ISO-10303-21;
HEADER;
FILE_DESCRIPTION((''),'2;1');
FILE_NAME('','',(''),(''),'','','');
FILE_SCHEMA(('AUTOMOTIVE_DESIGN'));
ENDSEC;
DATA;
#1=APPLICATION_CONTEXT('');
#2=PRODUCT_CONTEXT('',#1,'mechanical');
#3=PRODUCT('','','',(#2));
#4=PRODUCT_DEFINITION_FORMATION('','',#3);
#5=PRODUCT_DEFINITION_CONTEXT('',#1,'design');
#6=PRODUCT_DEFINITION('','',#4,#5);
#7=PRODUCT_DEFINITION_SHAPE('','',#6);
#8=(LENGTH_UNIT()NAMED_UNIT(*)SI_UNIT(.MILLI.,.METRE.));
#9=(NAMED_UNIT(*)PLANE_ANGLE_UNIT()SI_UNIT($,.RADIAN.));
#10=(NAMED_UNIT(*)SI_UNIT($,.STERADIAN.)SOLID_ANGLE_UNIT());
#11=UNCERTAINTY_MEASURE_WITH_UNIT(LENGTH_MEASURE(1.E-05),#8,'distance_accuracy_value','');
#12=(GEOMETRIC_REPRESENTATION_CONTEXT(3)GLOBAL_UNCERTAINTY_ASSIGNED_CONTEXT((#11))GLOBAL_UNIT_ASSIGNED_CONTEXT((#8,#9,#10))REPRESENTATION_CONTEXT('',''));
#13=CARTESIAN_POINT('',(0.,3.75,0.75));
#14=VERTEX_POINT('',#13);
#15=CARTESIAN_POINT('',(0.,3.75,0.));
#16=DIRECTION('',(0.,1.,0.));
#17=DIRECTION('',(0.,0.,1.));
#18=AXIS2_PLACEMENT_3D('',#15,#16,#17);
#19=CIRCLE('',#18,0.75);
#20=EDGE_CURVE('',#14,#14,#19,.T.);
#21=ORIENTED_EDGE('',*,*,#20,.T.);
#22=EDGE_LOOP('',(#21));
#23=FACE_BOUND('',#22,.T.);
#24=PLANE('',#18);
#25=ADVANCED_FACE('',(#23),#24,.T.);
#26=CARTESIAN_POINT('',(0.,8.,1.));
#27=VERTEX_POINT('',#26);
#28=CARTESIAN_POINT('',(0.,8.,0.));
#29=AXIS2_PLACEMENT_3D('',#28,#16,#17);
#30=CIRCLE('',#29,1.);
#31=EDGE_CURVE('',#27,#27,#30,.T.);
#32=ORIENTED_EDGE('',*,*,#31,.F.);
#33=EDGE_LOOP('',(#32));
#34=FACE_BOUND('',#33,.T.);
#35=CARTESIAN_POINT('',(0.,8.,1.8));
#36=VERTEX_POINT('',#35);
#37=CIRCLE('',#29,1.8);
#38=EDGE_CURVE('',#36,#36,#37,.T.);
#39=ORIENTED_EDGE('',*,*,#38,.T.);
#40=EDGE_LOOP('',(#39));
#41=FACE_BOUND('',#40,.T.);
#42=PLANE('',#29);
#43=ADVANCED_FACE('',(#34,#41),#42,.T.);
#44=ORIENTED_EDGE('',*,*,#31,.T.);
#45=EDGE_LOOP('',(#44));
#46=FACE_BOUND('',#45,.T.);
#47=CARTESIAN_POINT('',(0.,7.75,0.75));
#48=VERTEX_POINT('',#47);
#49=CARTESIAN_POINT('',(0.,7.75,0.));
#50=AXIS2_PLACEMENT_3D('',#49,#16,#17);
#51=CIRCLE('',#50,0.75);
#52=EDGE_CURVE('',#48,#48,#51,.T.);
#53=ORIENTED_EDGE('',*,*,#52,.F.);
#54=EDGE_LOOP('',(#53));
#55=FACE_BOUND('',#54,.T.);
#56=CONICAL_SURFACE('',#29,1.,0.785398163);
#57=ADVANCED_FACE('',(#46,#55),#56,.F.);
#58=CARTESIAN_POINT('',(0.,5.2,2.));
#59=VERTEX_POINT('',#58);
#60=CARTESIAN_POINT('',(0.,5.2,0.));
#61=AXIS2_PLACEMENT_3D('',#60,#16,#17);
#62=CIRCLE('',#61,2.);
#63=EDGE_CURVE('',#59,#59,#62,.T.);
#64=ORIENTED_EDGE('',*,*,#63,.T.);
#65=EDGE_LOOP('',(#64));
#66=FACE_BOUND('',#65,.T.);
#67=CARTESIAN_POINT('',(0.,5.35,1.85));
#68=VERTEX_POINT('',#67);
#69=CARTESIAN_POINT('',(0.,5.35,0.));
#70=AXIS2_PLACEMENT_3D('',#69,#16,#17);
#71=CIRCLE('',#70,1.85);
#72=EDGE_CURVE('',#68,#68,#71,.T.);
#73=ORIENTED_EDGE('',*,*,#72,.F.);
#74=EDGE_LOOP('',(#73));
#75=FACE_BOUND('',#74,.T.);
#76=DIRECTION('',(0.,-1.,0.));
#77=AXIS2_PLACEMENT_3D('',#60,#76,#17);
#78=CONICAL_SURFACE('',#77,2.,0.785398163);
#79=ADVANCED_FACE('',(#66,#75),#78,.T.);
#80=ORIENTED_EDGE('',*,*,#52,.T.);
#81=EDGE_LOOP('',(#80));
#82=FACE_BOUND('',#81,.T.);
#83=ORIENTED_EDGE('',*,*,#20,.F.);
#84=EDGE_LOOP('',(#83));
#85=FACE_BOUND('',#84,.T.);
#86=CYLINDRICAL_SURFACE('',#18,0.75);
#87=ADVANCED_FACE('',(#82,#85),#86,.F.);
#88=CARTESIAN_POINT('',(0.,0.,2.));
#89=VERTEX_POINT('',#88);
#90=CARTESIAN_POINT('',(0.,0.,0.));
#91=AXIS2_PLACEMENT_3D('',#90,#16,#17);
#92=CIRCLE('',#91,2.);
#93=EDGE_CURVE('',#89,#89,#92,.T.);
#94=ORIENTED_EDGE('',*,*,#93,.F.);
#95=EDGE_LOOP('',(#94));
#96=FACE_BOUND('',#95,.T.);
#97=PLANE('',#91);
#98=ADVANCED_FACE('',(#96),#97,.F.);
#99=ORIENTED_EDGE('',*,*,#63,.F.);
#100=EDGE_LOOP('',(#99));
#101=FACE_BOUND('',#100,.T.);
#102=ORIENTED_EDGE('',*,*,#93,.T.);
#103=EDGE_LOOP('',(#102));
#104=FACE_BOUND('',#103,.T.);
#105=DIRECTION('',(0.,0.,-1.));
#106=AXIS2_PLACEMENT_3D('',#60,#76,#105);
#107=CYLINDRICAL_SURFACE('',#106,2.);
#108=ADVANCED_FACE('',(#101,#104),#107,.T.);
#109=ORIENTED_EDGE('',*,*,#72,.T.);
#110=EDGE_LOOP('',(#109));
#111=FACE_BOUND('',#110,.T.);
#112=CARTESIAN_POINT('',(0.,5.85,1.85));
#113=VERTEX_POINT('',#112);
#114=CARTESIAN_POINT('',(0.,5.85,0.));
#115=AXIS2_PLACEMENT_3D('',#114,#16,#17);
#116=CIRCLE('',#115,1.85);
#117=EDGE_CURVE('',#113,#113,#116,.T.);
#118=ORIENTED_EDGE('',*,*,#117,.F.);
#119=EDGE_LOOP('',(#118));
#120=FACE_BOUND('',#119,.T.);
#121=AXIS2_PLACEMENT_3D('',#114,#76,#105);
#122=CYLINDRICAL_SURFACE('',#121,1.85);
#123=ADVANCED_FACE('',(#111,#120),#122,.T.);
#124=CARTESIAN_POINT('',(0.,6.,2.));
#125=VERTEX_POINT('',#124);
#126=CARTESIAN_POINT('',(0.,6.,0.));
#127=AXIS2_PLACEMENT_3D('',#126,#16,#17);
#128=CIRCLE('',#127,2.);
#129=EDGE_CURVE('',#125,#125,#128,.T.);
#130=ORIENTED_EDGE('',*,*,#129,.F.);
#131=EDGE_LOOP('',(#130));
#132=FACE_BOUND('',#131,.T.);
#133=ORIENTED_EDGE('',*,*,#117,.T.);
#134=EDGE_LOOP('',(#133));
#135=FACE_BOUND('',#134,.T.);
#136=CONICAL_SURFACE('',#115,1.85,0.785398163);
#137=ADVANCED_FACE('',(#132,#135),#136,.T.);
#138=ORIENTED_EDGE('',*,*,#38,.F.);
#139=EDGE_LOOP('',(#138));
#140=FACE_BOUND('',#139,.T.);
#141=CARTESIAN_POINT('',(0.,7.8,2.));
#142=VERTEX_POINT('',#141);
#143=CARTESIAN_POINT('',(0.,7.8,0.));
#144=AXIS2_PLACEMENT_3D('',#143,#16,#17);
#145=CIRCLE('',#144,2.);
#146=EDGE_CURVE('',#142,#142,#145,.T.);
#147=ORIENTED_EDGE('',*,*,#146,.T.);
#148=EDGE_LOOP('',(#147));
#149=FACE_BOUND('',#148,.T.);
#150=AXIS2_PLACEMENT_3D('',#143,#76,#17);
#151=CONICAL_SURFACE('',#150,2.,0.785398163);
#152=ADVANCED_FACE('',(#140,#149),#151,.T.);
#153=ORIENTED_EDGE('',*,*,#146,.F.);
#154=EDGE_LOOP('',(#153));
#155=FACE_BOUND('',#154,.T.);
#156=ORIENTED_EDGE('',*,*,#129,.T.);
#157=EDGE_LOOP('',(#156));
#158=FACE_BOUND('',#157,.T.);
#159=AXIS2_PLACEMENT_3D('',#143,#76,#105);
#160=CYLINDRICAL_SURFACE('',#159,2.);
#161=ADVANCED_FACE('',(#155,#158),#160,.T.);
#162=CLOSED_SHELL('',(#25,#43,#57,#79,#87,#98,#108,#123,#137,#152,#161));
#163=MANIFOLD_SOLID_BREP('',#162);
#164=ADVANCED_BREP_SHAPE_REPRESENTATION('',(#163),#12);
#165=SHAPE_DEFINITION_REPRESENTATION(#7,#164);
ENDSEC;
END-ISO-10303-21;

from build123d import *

# Parameters (mm, degrees)
SKETCH1_R           = 2
BOSS_EXTRUDE1_DEPTH = 5.2
SKETCH3_R           = 2
BOSS_EXTRUDE2_DEPTH = 0.15
BOSS_EXTRUDE2_TAPER = 45
SKETCH4_R           = 1.85
BOSS_EXTRUDE3_DEPTH = 0.5
SKETCH5_R           = 1.85
BOSS_EXTRUDE4_DEPTH = 0.15
BOSS_EXTRUDE4_DRAFT = -45
SKETCH6_R           = 2
BOSS_EXTRUDE5_DEPTH = 1.8
SKETCH7_R           = 2
BOSS_EXTRUDE6_DEPTH = 0.2
BOSS_EXTRUDE6_TAPER = 45
SKETCH11_R          = 1
CUT_EXTRUDE1_DEPTH  = 0.25
CUT_EXTRUDE1_DRAFT  = -45
SKETCH12_R          = 0.75
CUT_EXTRUDE2_DEPTH  = 4


with BuildPart() as part:
    # Sketch1 → Boss-Extrude1 (new body)
    with BuildSketch(Plane(origin=(0, 0, 0), x_dir=(1, 0, 0), z_dir=(0, 1, 0))):
        with Locations(Location((0, 0, 0), (0, 0, 270))):
            Circle(SKETCH1_R)
    extrude(amount=BOSS_EXTRUDE1_DEPTH)

    # Sketch3 → Boss-Extrude2 (add)
    with BuildSketch(Plane(origin=(0, 5.2, 0), x_dir=(1, 0, 0), z_dir=(0, 1, 0))):
        with Locations(Location((0, 0, 0), (0, 0, 270))):
            Circle(SKETCH3_R)
    extrude(amount=BOSS_EXTRUDE2_DEPTH, taper=BOSS_EXTRUDE2_TAPER)

    # Sketch4 → Boss-Extrude3 (add)
    with BuildSketch(Plane(origin=(0, 5.35, 0), x_dir=(1, 0, 0), z_dir=(0, 1, 0))):
        with Locations(Location((0, 0, 0), (0, 0, 270))):
            Circle(SKETCH4_R)
    extrude(amount=BOSS_EXTRUDE3_DEPTH)


with BuildPart() as boss_extrude4_tool:
    # Sketch5 → Boss-Extrude4 (with draft: the straight prism first)
    with BuildSketch(Plane(origin=(0, 5.85, 0), x_dir=(1, 0, 0), z_dir=(0, 1, 0))):
        with Locations(Location((0, 0, 0), (0, 0, 270))):
            Circle(SKETCH5_R)
    extrude(amount=BOSS_EXTRUDE4_DEPTH)
    # Boss-Extrude4: the draft: its side faces are tilted about the plane it starts from
    boss_extrude4_sides = [boss_extrude4_tool.faces().sort_by_distance(p)[0] for p in [
        (0, 5.925, -1.85),
    ]]
    draft(boss_extrude4_sides, Plane(origin=(0, 5.85, 0), x_dir=(1, 0, 0), z_dir=(0, 1, 0)), BOSS_EXTRUDE4_DRAFT)


with BuildPart() as part_1:
    add(part.part)

    # Boss-Extrude4: add boss_extrude4_tool
    add(boss_extrude4_tool.part)

    # Sketch6 → Boss-Extrude5 (add)
    with BuildSketch(Plane(origin=(0, 6, 0), x_dir=(1, 0, 0), z_dir=(0, 1, 0))):
        with Locations(Location((0, 0, 0), (0, 0, 270))):
            Circle(SKETCH6_R)
    extrude(amount=BOSS_EXTRUDE5_DEPTH)

    # Sketch7 → Boss-Extrude6 (add)
    with BuildSketch(Plane(origin=(0, 7.8, 0), x_dir=(1, 0, 0), z_dir=(0, 1, 0))):
        with Locations(Location((0, 0, 0), (0, 0, 270))):
            Circle(SKETCH7_R)
    extrude(amount=BOSS_EXTRUDE6_DEPTH, taper=BOSS_EXTRUDE6_TAPER)


with BuildPart() as cut_extrude1_tool:
    # Sketch11 → Cut-Extrude1 (with draft: the straight prism first)
    with BuildSketch(Plane(origin=(0, 8, 0), x_dir=(1, 0, 0), z_dir=(0, 1, 0))):
        Circle(SKETCH11_R)
    extrude(amount=-CUT_EXTRUDE1_DEPTH)
    # Cut-Extrude1: the draft: its side faces are tilted about the plane it starts from
    cut_extrude1_sides = [cut_extrude1_tool.faces().sort_by_distance(p)[0] for p in [
        (-1, 7.875, 0),
    ]]
    draft(cut_extrude1_sides, Plane(origin=(0, 8, 0), x_dir=(1, 0, 0), z_dir=(0, 1, 0)), CUT_EXTRUDE1_DRAFT)


with BuildPart() as part_2:
    add(part_1.part)

    # Cut-Extrude1: cut by cut_extrude1_tool
    add(cut_extrude1_tool.part, mode=Mode.SUBTRACT)

    # Sketch12 → Cut-Extrude2 (cut)
    with BuildSketch(Plane(origin=(0, 7.75, 0), x_dir=(1, 0, 0), z_dir=(0, 1, 0))):
        with Locations(Location((0, 0, 0), (0, 0, 270))):
            Circle(SKETCH12_R)
    extrude(amount=-CUT_EXTRUDE2_DEPTH, mode=Mode.SUBTRACT)


solid = part_2.part
